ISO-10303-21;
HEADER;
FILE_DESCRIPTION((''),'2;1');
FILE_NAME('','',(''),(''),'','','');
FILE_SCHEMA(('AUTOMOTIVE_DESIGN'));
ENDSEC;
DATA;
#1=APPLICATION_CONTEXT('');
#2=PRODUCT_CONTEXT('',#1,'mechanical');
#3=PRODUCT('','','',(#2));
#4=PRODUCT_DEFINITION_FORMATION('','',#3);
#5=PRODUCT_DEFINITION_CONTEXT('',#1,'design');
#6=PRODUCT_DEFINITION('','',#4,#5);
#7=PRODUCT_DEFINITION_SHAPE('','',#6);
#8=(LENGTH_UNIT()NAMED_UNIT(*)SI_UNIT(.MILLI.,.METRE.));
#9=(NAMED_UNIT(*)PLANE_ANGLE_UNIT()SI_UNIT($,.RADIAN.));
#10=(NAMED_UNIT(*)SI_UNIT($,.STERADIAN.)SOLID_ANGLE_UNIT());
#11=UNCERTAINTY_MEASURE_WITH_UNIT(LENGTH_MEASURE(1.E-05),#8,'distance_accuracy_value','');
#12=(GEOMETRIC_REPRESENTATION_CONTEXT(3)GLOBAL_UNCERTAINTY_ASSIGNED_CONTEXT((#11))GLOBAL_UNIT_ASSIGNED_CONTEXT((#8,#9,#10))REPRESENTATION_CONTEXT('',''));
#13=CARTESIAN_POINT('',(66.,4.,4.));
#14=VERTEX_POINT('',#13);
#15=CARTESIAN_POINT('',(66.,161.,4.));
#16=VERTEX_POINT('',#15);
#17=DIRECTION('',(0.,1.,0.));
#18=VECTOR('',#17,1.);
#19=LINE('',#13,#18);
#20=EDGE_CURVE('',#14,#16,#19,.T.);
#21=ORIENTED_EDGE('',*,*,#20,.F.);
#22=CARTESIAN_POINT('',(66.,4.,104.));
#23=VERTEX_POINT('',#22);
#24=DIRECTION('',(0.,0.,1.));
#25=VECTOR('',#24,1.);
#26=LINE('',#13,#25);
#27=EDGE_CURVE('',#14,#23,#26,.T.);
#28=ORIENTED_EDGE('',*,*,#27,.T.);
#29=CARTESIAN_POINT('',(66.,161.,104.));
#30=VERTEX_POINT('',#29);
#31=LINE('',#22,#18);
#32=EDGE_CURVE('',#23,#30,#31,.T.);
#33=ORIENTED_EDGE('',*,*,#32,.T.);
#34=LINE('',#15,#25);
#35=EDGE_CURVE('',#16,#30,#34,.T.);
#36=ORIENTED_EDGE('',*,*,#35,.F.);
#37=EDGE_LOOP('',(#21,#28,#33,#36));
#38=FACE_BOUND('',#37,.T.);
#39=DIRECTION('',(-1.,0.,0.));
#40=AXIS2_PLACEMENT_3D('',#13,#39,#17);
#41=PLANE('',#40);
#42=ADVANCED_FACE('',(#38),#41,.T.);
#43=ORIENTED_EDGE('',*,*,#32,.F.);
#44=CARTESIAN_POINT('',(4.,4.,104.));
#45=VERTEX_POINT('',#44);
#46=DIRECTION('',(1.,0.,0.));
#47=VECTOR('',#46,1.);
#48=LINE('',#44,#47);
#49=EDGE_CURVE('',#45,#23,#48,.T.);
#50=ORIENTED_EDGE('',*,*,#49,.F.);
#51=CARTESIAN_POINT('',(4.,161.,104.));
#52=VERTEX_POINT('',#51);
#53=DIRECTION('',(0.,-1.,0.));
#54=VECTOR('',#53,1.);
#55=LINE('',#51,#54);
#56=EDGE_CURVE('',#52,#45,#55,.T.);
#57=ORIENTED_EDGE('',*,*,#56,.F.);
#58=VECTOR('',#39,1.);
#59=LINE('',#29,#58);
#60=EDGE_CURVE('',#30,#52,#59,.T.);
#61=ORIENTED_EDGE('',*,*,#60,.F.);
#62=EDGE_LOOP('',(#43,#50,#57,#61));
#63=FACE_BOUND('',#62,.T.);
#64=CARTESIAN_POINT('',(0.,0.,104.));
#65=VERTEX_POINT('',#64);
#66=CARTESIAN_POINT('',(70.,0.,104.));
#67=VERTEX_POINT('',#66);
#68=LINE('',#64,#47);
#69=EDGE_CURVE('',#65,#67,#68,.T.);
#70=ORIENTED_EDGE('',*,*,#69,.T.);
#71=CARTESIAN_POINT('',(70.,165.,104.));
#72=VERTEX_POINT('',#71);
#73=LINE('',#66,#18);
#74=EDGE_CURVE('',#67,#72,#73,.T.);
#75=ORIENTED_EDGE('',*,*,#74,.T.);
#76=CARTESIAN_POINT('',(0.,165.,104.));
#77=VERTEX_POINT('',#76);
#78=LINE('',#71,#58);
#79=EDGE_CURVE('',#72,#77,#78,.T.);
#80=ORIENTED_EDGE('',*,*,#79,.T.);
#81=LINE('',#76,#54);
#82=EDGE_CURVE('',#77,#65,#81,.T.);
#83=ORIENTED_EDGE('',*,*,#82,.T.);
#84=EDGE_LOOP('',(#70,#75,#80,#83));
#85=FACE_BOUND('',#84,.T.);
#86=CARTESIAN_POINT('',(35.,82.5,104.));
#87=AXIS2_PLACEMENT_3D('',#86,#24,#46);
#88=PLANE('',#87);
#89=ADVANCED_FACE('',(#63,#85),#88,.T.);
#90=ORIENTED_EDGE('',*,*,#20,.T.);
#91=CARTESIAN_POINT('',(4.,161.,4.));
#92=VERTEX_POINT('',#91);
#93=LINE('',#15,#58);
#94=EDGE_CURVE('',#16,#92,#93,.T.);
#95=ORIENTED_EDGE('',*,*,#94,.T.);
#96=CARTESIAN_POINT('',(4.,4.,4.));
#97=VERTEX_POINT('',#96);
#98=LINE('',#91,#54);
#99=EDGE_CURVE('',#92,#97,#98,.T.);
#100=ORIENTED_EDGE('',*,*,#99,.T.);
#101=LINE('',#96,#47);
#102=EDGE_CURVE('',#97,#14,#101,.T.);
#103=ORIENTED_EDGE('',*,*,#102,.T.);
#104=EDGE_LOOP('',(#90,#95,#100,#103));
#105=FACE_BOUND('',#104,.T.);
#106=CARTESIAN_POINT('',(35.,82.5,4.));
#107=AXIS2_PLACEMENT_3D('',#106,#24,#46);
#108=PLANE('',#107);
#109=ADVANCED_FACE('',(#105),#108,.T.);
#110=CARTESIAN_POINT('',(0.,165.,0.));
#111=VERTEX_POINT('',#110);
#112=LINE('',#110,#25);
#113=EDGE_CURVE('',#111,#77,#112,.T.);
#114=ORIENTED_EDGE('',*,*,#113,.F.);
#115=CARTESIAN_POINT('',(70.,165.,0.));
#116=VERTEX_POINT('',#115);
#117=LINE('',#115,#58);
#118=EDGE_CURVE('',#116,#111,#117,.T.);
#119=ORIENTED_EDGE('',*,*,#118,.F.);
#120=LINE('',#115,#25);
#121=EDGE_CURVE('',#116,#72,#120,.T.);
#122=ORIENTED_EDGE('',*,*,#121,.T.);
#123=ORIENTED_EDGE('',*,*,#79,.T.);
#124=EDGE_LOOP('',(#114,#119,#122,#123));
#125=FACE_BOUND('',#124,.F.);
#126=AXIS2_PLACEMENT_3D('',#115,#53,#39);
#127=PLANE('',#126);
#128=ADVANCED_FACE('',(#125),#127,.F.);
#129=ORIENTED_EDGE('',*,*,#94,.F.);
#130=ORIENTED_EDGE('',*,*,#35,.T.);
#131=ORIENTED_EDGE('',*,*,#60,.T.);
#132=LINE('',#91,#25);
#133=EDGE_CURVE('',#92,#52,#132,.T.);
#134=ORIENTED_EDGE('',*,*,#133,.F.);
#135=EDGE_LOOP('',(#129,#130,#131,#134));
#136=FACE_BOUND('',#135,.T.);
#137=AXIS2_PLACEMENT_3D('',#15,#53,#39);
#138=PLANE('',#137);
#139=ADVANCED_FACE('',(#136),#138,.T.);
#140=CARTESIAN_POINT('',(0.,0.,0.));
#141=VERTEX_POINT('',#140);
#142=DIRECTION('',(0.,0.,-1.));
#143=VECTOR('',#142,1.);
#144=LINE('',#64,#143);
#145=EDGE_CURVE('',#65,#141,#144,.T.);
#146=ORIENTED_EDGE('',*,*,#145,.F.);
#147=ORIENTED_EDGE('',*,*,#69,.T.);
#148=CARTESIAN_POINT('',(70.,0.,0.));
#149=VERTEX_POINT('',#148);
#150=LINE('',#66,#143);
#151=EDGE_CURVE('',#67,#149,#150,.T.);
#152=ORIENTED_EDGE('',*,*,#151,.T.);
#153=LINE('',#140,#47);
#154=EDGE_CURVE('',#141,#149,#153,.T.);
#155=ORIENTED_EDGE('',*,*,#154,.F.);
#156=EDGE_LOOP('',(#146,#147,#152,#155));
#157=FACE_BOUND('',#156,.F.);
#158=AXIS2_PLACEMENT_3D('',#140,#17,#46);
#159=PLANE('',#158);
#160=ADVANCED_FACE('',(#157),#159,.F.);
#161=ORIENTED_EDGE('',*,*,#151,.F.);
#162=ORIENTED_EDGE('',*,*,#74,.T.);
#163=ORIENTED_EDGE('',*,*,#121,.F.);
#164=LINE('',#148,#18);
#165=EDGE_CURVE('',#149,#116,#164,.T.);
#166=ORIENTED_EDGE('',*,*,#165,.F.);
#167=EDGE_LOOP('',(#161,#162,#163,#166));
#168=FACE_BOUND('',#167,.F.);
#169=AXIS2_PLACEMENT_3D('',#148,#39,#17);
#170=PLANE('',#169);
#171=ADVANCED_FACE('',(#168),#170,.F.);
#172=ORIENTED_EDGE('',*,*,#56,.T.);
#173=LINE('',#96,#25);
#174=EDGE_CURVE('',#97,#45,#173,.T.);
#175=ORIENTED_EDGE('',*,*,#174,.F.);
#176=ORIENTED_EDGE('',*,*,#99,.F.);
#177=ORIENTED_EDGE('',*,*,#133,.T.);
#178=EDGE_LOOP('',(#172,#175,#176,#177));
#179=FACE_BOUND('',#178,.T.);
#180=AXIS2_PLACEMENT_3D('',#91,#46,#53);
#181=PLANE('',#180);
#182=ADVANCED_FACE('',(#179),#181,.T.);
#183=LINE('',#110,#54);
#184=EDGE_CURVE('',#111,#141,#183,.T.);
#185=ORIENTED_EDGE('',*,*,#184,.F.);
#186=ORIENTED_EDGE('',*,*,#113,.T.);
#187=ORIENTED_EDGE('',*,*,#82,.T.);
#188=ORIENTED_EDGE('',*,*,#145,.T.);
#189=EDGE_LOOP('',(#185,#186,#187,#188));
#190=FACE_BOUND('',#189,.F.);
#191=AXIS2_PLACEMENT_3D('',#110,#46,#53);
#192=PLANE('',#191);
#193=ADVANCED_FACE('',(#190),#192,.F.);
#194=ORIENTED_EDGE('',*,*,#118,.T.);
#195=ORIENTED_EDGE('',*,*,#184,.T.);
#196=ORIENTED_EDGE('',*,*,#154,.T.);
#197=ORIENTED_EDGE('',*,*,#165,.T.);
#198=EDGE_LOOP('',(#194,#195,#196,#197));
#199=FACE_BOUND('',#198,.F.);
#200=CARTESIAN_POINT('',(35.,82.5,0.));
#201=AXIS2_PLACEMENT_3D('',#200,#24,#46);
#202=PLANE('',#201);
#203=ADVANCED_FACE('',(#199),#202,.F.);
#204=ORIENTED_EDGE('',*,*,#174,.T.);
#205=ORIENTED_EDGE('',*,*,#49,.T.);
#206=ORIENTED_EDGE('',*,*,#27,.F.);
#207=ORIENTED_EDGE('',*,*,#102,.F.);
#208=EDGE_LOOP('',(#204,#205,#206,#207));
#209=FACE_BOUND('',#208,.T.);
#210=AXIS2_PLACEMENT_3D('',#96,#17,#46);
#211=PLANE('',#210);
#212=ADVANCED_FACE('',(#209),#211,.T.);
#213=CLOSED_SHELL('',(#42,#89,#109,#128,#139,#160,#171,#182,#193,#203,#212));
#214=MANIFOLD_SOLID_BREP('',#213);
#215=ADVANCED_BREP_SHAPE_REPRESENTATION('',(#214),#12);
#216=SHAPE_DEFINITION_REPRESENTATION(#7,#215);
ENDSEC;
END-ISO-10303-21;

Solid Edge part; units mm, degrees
sketch "Sketch1" plane through (0, 0, 0) normal (0, 0, 1) x (1, 0, 0)
  line L0 (70, 0) -> (70, 165)
  line L1 (70, 165) -> (0, 165)
  line L2 (0, 165) -> (0, 0)
  line L3 (0, 0) -> (70, 0)
extrude "Protrusion1" add sketch "Sketch1" along normal blind 4
sketch "Sketch2" plane through (35, 82.5, 4) normal (0, 0, 1) x (0, 1, 0)
  line L0 (78.5, 31) -> (-78.5, 31)
  line L1 (-78.5, 31) -> (-78.5, -31)
  line L2 (-78.5, -31) -> (78.5, -31)
  line L3 (78.5, -31) -> (78.5, 31)
  line L4 (-82.5, -35) -> (82.5, -35)
  line L5 (82.5, -35) -> (82.5, 35)
  line L6 (82.5, 35) -> (-82.5, 35)
  line L7 (-82.5, 35) -> (-82.5, -35)
extrude "ProtrusiónExtruida_2" add sketch "Sketch2" along normal blind 100
